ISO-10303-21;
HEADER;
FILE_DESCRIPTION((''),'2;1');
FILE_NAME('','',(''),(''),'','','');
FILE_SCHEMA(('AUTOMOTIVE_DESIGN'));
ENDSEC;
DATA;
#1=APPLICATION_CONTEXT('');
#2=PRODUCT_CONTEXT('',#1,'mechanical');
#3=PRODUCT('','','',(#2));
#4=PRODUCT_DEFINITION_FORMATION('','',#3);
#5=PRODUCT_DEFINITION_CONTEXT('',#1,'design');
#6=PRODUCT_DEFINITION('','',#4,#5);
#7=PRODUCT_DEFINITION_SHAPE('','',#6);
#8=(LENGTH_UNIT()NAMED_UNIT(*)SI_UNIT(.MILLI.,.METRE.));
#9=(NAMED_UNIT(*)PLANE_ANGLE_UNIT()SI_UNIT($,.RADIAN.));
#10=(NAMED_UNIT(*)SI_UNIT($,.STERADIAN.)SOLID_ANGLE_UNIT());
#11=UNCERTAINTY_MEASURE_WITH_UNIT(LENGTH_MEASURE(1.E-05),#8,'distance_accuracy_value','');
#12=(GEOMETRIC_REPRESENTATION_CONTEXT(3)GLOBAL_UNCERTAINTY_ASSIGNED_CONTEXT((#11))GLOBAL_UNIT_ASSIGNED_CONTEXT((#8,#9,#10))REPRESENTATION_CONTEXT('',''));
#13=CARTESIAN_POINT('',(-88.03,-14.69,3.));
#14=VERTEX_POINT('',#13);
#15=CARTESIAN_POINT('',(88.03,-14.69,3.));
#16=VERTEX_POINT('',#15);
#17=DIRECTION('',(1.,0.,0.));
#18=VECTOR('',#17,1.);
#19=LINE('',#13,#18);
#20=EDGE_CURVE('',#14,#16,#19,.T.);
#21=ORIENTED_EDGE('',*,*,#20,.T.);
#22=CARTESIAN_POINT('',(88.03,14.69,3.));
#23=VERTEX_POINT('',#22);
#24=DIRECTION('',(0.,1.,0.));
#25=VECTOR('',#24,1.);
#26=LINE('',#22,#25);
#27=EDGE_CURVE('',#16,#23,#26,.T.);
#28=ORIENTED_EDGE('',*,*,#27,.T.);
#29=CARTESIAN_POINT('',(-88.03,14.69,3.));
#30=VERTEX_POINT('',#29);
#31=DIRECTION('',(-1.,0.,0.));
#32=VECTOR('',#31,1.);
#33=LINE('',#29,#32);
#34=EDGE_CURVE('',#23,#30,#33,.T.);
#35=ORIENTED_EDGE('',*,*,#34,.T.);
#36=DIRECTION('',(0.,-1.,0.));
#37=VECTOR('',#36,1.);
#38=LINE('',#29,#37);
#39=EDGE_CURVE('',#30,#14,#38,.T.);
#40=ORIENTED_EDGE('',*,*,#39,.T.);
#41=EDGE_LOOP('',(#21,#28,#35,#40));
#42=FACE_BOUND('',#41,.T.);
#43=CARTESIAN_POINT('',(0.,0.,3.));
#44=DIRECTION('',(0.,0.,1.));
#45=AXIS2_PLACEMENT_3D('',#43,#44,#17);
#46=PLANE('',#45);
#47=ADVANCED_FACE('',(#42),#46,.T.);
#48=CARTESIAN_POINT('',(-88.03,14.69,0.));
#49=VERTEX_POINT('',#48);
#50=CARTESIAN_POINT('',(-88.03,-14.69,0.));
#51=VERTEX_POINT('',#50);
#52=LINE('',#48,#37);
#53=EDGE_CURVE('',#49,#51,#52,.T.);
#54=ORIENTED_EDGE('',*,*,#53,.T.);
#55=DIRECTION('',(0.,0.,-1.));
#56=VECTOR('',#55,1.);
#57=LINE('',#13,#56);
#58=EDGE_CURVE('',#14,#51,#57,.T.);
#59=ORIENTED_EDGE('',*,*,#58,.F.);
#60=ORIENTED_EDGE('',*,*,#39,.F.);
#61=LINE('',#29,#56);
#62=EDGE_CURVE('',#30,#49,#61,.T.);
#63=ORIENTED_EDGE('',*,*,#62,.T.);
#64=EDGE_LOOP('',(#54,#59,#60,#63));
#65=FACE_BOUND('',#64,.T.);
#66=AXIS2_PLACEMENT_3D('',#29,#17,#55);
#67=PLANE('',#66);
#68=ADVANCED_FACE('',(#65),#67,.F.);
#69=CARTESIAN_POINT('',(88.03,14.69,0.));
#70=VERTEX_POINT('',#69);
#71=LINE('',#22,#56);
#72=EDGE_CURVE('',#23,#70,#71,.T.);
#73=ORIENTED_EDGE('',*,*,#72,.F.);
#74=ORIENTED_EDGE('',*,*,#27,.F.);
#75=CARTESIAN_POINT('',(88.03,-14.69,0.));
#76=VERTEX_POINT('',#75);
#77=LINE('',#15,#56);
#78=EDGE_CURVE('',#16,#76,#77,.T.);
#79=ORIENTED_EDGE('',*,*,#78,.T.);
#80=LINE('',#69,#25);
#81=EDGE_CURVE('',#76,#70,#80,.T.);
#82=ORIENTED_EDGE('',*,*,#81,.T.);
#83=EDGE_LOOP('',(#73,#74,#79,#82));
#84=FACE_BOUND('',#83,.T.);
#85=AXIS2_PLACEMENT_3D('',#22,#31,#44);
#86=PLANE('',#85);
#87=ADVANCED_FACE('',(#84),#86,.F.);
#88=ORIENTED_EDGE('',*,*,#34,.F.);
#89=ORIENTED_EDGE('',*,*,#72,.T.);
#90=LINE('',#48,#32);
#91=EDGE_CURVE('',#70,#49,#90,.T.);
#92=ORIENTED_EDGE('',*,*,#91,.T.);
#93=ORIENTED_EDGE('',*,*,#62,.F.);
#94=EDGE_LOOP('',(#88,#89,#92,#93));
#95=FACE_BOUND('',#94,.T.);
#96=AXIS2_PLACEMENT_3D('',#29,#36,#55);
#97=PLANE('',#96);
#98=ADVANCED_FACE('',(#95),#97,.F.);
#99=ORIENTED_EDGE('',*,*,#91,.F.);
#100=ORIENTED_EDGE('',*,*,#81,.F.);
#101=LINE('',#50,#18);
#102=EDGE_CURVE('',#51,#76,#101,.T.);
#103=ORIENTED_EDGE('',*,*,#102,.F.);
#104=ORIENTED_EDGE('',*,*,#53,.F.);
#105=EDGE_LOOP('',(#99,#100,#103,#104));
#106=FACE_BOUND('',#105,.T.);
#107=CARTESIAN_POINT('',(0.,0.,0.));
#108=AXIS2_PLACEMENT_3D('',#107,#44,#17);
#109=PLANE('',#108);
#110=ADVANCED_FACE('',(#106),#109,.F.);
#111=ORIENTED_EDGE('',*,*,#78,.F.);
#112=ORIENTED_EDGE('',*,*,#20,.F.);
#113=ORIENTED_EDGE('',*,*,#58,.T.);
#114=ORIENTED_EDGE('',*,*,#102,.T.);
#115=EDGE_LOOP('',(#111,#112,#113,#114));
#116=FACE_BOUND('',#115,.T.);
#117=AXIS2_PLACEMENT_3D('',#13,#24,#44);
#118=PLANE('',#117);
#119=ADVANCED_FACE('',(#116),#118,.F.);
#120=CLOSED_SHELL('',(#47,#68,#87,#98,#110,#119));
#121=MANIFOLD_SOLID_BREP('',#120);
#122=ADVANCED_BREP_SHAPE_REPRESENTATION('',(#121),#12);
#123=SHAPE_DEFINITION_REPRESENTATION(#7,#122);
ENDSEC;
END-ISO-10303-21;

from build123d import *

# Parameters (mm, degrees)
SKETCH_1_W      = 176.06
SKETCH_1_H      = 29.38
EXTRUDE_1_DEPTH = 3


with BuildPart() as part:
    # 草图1 → 凸台-拉伸1 (new body)
    with BuildSketch(Plane.XY):
        Rectangle(SKETCH_1_W, SKETCH_1_H)
    extrude(amount=EXTRUDE_1_DEPTH)


solid = part.part
